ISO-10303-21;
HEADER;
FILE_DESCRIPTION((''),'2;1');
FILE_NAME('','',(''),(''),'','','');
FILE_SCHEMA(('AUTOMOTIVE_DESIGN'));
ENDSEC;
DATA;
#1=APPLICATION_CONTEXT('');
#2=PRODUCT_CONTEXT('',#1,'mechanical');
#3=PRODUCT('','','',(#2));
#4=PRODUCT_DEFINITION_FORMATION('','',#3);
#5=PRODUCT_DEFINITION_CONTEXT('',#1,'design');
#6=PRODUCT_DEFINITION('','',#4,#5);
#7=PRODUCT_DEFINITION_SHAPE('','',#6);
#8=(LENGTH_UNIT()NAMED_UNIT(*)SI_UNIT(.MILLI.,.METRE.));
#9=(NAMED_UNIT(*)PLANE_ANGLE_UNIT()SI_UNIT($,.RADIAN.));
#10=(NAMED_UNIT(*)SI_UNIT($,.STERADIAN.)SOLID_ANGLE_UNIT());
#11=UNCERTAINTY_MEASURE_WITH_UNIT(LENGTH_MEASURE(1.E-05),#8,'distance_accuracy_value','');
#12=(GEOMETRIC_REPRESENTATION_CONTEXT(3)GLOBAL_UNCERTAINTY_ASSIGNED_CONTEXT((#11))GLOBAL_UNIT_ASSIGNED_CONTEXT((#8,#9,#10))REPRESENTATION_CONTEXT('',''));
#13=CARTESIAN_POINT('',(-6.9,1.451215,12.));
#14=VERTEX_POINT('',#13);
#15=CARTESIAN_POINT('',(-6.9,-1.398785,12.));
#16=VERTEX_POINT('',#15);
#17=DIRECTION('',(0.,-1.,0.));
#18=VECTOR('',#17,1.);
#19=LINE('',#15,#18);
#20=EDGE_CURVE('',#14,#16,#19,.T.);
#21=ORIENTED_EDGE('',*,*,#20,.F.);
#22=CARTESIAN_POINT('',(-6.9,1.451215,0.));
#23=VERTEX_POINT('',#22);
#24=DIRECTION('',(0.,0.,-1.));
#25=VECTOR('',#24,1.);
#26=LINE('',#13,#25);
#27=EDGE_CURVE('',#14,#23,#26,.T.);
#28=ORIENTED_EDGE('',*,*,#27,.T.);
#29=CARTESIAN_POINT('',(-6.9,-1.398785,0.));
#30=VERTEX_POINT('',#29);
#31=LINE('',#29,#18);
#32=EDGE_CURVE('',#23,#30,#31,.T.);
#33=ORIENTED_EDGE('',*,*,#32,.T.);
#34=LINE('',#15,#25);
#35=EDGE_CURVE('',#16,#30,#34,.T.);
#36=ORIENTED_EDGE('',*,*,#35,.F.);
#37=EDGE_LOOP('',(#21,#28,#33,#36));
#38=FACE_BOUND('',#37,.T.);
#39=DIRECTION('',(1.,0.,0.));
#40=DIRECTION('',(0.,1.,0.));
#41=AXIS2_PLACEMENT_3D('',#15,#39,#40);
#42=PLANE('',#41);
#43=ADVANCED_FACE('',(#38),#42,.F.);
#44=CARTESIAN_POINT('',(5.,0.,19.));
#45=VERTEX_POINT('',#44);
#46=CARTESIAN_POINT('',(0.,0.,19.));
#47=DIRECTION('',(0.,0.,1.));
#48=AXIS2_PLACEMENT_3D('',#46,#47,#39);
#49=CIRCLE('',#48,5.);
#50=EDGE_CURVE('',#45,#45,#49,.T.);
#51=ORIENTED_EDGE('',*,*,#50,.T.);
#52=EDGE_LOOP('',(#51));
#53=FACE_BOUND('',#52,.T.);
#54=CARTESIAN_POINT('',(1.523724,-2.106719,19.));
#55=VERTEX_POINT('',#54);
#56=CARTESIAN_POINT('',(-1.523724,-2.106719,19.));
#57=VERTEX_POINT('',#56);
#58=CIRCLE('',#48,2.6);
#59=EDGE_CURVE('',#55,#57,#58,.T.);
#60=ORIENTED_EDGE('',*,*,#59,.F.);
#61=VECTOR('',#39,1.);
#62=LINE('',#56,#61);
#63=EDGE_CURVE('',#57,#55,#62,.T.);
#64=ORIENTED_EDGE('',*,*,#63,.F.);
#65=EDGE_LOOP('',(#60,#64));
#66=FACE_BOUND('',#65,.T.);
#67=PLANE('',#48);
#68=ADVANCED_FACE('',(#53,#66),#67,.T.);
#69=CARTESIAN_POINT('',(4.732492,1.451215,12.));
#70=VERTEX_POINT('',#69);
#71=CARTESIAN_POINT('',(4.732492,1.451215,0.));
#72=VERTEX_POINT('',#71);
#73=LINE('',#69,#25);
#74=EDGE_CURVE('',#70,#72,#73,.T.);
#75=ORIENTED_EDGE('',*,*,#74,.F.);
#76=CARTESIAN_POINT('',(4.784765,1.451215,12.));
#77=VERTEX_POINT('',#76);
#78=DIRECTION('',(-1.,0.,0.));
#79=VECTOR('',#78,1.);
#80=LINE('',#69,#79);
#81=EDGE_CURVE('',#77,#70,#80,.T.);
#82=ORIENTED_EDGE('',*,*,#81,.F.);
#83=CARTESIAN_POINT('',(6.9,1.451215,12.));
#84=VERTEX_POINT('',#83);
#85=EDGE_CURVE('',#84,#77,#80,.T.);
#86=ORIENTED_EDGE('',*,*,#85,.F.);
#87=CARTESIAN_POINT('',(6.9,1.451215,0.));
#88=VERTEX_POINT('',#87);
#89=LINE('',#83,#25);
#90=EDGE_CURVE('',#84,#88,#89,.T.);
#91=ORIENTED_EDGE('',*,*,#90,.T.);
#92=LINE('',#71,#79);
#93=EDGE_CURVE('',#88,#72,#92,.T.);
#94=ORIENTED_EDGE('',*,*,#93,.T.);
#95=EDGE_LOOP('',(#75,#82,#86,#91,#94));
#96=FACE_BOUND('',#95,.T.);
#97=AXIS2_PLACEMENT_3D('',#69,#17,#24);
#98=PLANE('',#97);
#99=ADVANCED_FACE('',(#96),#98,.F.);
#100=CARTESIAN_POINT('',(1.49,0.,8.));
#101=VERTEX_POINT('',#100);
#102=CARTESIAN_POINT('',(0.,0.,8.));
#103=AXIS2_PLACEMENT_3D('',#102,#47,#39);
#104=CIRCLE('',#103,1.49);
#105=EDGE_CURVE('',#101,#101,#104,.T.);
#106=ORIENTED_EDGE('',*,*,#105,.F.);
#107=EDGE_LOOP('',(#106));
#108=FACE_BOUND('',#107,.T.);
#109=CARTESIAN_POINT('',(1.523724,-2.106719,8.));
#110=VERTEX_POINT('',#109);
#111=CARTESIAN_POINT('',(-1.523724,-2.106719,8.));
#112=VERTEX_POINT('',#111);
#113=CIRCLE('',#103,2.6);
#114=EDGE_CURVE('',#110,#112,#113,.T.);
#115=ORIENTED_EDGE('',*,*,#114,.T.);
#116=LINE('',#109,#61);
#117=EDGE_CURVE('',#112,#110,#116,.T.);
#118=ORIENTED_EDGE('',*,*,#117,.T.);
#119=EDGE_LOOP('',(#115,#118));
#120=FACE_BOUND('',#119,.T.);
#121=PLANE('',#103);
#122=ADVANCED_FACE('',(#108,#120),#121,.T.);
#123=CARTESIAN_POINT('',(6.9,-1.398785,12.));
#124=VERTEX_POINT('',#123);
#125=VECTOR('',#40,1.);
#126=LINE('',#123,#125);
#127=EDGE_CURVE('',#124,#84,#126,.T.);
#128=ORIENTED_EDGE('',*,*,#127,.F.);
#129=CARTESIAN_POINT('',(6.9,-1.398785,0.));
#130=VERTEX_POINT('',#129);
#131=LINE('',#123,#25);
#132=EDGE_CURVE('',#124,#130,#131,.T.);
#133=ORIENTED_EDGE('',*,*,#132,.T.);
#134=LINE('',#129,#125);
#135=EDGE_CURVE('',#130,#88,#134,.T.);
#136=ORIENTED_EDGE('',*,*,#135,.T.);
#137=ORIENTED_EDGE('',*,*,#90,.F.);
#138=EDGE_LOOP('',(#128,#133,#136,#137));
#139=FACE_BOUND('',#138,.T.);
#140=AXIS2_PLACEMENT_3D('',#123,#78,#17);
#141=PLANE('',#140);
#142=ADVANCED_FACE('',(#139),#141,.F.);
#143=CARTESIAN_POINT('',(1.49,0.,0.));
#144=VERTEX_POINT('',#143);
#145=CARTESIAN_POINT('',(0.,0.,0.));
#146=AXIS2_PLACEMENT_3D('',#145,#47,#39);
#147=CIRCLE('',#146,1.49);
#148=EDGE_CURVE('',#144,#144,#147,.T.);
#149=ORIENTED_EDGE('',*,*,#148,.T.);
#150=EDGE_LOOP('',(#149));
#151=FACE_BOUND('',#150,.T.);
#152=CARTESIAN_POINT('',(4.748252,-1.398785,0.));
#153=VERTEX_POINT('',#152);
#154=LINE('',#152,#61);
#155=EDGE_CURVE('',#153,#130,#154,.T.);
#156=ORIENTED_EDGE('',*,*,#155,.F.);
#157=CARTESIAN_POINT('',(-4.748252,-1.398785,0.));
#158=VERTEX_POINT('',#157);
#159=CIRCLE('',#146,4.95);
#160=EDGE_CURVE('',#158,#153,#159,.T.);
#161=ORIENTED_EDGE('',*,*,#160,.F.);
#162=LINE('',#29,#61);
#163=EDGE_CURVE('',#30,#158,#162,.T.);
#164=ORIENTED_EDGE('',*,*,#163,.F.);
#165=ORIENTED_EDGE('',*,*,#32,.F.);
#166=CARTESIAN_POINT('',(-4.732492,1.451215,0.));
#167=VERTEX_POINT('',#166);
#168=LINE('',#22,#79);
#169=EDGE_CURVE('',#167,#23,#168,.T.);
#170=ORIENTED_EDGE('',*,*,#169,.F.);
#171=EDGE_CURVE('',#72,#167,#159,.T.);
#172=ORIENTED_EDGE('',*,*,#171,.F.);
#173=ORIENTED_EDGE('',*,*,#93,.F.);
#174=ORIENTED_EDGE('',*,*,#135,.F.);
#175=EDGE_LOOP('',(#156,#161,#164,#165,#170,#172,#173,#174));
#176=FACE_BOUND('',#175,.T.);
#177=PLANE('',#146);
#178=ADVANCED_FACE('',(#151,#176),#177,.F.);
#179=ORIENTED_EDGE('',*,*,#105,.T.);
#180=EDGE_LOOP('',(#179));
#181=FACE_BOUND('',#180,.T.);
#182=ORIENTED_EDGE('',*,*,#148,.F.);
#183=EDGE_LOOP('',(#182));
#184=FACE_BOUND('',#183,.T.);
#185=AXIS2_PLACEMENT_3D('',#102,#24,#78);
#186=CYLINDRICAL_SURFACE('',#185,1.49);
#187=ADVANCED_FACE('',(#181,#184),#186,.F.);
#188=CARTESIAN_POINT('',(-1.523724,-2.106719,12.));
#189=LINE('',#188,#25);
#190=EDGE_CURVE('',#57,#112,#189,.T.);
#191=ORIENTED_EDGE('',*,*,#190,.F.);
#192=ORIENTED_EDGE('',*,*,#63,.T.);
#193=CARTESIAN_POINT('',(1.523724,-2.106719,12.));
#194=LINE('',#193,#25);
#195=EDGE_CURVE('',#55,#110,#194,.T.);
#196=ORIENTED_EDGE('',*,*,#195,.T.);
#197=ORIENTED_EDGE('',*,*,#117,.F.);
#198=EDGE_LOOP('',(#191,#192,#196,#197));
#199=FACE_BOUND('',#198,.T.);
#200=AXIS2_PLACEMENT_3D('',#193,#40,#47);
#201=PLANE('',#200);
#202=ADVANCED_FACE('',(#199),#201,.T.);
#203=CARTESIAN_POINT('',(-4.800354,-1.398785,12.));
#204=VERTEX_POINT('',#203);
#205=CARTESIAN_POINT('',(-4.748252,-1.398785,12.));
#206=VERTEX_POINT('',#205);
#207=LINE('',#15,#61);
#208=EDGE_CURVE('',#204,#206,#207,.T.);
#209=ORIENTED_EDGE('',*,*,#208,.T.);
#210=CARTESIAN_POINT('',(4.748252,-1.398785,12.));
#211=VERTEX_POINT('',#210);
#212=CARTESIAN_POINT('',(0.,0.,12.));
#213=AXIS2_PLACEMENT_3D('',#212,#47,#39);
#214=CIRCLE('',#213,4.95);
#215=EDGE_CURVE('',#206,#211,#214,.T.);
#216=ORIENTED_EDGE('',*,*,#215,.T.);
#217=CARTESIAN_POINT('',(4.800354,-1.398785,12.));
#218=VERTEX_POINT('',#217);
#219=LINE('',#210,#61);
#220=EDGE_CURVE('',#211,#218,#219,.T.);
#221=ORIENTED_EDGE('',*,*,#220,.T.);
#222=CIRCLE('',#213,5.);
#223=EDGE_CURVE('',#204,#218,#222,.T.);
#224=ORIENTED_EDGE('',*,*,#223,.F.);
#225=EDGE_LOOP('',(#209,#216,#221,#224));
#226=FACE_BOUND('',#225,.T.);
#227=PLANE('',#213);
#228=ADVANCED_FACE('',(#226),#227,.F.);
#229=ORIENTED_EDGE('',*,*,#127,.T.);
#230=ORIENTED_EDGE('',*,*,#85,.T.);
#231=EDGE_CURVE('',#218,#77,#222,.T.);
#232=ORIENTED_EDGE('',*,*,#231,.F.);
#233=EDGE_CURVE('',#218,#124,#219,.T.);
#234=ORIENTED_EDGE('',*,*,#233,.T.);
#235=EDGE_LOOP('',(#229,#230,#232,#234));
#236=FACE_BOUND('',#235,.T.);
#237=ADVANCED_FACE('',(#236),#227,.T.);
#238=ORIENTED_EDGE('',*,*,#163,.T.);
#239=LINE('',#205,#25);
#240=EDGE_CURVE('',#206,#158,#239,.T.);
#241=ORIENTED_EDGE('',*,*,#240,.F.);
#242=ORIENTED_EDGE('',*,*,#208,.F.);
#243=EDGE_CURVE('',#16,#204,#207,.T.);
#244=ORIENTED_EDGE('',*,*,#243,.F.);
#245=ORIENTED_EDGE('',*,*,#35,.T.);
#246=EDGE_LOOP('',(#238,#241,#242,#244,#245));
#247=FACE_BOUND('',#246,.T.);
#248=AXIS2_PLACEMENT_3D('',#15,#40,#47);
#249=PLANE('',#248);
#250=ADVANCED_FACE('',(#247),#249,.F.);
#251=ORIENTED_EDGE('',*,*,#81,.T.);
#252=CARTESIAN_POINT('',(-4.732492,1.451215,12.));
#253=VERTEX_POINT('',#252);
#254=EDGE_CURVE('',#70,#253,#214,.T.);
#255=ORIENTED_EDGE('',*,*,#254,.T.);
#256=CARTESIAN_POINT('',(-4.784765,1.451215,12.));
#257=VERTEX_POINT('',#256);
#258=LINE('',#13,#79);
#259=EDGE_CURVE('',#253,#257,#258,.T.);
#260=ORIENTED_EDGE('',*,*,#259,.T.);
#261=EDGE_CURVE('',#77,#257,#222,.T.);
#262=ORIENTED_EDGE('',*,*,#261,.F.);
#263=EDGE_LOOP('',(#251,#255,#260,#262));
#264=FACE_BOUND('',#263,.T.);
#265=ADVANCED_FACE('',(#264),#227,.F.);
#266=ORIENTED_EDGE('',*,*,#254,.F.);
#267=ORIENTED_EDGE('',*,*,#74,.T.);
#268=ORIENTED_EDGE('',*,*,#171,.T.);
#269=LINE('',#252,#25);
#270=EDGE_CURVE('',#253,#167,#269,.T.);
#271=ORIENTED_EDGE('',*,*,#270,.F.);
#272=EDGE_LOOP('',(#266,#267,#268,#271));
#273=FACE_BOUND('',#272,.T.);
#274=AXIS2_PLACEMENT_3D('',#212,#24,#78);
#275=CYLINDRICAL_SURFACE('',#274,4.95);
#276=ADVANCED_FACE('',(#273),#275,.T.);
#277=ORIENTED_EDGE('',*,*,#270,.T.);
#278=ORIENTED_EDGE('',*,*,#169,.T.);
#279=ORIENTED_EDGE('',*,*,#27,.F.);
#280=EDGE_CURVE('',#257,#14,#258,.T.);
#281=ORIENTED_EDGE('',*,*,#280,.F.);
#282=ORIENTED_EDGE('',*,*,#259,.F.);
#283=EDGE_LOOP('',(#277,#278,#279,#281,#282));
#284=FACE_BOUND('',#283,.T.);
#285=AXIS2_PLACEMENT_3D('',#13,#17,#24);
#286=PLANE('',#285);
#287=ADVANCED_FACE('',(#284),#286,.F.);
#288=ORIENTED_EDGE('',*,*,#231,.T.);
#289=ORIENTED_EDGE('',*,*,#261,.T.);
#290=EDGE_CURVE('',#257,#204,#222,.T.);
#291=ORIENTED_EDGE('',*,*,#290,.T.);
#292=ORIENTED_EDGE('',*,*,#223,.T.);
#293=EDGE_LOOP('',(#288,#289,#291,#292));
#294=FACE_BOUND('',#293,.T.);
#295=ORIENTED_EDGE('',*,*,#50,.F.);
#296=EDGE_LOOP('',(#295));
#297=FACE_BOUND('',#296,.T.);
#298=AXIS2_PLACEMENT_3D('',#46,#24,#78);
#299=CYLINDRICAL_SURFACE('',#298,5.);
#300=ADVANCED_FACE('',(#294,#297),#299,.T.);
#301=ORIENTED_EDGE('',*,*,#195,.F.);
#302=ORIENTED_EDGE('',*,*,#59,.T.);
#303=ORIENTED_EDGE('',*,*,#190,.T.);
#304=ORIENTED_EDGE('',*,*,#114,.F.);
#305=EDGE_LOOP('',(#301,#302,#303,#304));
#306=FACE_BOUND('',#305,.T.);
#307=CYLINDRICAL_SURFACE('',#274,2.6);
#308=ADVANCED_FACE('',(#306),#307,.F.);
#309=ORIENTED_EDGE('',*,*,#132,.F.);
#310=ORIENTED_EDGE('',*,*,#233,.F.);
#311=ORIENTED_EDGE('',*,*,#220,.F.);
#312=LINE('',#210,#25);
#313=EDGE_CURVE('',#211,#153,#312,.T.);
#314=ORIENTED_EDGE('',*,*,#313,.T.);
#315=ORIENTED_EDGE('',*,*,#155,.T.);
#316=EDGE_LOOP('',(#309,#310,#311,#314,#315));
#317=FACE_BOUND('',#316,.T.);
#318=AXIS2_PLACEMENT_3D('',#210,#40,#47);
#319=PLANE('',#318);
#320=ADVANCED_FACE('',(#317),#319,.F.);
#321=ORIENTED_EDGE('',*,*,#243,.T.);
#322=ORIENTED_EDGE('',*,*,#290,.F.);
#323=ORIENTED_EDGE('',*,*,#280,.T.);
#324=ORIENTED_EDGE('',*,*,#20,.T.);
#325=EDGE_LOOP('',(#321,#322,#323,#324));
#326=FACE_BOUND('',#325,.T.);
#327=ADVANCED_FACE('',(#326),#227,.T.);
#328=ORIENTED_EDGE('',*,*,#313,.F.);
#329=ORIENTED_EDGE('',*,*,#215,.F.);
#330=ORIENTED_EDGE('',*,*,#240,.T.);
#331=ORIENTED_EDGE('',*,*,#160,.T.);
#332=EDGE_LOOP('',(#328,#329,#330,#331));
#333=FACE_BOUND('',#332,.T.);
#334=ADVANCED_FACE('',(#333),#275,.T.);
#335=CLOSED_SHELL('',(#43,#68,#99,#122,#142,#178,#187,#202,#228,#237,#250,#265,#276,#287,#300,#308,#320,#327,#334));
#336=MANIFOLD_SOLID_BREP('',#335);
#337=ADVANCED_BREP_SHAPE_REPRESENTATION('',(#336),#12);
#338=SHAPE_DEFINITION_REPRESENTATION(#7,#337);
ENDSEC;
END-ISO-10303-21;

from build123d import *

# Parameters (mm, degrees)
Y_KSEKLIK_EKSTR_ZYON1_DEPTH = 12
IZIM3_R                     = 5
Y_KSEKLIK_EKSTR_ZYON3_DEPTH = 7
IZIM2_R                     = 2.701874654
IZIM2_R_2                   = 1.49
Y_KSEKLIK_EKSTR_ZYON2_DEPTH = 8


with BuildPart() as part:
    # Çizim1 → Yükseklik-Ekstrüzyon1 (new body)
    with BuildSketch(Plane.XY):
        with BuildLine():
            Line((4.73249152, 1.451214667), (6.9, 1.451214667))
            Line((6.9, 1.451214667), (6.9, -1.398785333))
            Line((6.9, -1.398785333), (4.748252267, -1.398785333))
            ThreePointArc((4.748252267, -1.398785333), (0, -4.95), (-4.748252267, -1.398785333))
            Line((-4.748252267, -1.398785333), (-6.9, -1.398785333))
            Line((-6.9, -1.398785333), (-6.9, 1.451214667))
            Line((-6.9, 1.451214667), (-4.73249152, 1.451214667))
            ThreePointArc((-4.73249152, 1.451214667), (0, 4.95), (4.73249152, 1.451214667))
        make_face()
        with BuildLine():
            Line((1.523723566, -2.106719368), (-1.523723566, -2.106719368))
            ThreePointArc((-1.523723566, -2.106719368), (0, 2.6), (1.523723566, -2.106719368))
        make_face(mode=Mode.SUBTRACT)
    extrude(amount=Y_KSEKLIK_EKSTR_ZYON1_DEPTH)

    # Çizim3 → Yükseklik-Ekstrüzyon3 (add)
    with BuildSketch(Plane.XY.offset(12)):
        with Locations(Location((0, 0, 0), (0, 0, 196.245706225))):
            Circle(IZIM3_R)
        with BuildLine():
            Line((-1.523723566, -2.106719368), (1.523723566, -2.106719368))
            ThreePointArc((1.523723566, -2.106719368), (0, 2.6), (-1.523723566, -2.106719368))
        make_face(mode=Mode.SUBTRACT)
    extrude(amount=Y_KSEKLIK_EKSTR_ZYON3_DEPTH)

    # Çizim2 → Yükseklik-Ekstrüzyon2 (add)
    with BuildSketch(Plane.XY):
        Circle(IZIM2_R)
        Circle(IZIM2_R_2, mode=Mode.SUBTRACT)
    extrude(amount=Y_KSEKLIK_EKSTR_ZYON2_DEPTH)


solid = part.part
